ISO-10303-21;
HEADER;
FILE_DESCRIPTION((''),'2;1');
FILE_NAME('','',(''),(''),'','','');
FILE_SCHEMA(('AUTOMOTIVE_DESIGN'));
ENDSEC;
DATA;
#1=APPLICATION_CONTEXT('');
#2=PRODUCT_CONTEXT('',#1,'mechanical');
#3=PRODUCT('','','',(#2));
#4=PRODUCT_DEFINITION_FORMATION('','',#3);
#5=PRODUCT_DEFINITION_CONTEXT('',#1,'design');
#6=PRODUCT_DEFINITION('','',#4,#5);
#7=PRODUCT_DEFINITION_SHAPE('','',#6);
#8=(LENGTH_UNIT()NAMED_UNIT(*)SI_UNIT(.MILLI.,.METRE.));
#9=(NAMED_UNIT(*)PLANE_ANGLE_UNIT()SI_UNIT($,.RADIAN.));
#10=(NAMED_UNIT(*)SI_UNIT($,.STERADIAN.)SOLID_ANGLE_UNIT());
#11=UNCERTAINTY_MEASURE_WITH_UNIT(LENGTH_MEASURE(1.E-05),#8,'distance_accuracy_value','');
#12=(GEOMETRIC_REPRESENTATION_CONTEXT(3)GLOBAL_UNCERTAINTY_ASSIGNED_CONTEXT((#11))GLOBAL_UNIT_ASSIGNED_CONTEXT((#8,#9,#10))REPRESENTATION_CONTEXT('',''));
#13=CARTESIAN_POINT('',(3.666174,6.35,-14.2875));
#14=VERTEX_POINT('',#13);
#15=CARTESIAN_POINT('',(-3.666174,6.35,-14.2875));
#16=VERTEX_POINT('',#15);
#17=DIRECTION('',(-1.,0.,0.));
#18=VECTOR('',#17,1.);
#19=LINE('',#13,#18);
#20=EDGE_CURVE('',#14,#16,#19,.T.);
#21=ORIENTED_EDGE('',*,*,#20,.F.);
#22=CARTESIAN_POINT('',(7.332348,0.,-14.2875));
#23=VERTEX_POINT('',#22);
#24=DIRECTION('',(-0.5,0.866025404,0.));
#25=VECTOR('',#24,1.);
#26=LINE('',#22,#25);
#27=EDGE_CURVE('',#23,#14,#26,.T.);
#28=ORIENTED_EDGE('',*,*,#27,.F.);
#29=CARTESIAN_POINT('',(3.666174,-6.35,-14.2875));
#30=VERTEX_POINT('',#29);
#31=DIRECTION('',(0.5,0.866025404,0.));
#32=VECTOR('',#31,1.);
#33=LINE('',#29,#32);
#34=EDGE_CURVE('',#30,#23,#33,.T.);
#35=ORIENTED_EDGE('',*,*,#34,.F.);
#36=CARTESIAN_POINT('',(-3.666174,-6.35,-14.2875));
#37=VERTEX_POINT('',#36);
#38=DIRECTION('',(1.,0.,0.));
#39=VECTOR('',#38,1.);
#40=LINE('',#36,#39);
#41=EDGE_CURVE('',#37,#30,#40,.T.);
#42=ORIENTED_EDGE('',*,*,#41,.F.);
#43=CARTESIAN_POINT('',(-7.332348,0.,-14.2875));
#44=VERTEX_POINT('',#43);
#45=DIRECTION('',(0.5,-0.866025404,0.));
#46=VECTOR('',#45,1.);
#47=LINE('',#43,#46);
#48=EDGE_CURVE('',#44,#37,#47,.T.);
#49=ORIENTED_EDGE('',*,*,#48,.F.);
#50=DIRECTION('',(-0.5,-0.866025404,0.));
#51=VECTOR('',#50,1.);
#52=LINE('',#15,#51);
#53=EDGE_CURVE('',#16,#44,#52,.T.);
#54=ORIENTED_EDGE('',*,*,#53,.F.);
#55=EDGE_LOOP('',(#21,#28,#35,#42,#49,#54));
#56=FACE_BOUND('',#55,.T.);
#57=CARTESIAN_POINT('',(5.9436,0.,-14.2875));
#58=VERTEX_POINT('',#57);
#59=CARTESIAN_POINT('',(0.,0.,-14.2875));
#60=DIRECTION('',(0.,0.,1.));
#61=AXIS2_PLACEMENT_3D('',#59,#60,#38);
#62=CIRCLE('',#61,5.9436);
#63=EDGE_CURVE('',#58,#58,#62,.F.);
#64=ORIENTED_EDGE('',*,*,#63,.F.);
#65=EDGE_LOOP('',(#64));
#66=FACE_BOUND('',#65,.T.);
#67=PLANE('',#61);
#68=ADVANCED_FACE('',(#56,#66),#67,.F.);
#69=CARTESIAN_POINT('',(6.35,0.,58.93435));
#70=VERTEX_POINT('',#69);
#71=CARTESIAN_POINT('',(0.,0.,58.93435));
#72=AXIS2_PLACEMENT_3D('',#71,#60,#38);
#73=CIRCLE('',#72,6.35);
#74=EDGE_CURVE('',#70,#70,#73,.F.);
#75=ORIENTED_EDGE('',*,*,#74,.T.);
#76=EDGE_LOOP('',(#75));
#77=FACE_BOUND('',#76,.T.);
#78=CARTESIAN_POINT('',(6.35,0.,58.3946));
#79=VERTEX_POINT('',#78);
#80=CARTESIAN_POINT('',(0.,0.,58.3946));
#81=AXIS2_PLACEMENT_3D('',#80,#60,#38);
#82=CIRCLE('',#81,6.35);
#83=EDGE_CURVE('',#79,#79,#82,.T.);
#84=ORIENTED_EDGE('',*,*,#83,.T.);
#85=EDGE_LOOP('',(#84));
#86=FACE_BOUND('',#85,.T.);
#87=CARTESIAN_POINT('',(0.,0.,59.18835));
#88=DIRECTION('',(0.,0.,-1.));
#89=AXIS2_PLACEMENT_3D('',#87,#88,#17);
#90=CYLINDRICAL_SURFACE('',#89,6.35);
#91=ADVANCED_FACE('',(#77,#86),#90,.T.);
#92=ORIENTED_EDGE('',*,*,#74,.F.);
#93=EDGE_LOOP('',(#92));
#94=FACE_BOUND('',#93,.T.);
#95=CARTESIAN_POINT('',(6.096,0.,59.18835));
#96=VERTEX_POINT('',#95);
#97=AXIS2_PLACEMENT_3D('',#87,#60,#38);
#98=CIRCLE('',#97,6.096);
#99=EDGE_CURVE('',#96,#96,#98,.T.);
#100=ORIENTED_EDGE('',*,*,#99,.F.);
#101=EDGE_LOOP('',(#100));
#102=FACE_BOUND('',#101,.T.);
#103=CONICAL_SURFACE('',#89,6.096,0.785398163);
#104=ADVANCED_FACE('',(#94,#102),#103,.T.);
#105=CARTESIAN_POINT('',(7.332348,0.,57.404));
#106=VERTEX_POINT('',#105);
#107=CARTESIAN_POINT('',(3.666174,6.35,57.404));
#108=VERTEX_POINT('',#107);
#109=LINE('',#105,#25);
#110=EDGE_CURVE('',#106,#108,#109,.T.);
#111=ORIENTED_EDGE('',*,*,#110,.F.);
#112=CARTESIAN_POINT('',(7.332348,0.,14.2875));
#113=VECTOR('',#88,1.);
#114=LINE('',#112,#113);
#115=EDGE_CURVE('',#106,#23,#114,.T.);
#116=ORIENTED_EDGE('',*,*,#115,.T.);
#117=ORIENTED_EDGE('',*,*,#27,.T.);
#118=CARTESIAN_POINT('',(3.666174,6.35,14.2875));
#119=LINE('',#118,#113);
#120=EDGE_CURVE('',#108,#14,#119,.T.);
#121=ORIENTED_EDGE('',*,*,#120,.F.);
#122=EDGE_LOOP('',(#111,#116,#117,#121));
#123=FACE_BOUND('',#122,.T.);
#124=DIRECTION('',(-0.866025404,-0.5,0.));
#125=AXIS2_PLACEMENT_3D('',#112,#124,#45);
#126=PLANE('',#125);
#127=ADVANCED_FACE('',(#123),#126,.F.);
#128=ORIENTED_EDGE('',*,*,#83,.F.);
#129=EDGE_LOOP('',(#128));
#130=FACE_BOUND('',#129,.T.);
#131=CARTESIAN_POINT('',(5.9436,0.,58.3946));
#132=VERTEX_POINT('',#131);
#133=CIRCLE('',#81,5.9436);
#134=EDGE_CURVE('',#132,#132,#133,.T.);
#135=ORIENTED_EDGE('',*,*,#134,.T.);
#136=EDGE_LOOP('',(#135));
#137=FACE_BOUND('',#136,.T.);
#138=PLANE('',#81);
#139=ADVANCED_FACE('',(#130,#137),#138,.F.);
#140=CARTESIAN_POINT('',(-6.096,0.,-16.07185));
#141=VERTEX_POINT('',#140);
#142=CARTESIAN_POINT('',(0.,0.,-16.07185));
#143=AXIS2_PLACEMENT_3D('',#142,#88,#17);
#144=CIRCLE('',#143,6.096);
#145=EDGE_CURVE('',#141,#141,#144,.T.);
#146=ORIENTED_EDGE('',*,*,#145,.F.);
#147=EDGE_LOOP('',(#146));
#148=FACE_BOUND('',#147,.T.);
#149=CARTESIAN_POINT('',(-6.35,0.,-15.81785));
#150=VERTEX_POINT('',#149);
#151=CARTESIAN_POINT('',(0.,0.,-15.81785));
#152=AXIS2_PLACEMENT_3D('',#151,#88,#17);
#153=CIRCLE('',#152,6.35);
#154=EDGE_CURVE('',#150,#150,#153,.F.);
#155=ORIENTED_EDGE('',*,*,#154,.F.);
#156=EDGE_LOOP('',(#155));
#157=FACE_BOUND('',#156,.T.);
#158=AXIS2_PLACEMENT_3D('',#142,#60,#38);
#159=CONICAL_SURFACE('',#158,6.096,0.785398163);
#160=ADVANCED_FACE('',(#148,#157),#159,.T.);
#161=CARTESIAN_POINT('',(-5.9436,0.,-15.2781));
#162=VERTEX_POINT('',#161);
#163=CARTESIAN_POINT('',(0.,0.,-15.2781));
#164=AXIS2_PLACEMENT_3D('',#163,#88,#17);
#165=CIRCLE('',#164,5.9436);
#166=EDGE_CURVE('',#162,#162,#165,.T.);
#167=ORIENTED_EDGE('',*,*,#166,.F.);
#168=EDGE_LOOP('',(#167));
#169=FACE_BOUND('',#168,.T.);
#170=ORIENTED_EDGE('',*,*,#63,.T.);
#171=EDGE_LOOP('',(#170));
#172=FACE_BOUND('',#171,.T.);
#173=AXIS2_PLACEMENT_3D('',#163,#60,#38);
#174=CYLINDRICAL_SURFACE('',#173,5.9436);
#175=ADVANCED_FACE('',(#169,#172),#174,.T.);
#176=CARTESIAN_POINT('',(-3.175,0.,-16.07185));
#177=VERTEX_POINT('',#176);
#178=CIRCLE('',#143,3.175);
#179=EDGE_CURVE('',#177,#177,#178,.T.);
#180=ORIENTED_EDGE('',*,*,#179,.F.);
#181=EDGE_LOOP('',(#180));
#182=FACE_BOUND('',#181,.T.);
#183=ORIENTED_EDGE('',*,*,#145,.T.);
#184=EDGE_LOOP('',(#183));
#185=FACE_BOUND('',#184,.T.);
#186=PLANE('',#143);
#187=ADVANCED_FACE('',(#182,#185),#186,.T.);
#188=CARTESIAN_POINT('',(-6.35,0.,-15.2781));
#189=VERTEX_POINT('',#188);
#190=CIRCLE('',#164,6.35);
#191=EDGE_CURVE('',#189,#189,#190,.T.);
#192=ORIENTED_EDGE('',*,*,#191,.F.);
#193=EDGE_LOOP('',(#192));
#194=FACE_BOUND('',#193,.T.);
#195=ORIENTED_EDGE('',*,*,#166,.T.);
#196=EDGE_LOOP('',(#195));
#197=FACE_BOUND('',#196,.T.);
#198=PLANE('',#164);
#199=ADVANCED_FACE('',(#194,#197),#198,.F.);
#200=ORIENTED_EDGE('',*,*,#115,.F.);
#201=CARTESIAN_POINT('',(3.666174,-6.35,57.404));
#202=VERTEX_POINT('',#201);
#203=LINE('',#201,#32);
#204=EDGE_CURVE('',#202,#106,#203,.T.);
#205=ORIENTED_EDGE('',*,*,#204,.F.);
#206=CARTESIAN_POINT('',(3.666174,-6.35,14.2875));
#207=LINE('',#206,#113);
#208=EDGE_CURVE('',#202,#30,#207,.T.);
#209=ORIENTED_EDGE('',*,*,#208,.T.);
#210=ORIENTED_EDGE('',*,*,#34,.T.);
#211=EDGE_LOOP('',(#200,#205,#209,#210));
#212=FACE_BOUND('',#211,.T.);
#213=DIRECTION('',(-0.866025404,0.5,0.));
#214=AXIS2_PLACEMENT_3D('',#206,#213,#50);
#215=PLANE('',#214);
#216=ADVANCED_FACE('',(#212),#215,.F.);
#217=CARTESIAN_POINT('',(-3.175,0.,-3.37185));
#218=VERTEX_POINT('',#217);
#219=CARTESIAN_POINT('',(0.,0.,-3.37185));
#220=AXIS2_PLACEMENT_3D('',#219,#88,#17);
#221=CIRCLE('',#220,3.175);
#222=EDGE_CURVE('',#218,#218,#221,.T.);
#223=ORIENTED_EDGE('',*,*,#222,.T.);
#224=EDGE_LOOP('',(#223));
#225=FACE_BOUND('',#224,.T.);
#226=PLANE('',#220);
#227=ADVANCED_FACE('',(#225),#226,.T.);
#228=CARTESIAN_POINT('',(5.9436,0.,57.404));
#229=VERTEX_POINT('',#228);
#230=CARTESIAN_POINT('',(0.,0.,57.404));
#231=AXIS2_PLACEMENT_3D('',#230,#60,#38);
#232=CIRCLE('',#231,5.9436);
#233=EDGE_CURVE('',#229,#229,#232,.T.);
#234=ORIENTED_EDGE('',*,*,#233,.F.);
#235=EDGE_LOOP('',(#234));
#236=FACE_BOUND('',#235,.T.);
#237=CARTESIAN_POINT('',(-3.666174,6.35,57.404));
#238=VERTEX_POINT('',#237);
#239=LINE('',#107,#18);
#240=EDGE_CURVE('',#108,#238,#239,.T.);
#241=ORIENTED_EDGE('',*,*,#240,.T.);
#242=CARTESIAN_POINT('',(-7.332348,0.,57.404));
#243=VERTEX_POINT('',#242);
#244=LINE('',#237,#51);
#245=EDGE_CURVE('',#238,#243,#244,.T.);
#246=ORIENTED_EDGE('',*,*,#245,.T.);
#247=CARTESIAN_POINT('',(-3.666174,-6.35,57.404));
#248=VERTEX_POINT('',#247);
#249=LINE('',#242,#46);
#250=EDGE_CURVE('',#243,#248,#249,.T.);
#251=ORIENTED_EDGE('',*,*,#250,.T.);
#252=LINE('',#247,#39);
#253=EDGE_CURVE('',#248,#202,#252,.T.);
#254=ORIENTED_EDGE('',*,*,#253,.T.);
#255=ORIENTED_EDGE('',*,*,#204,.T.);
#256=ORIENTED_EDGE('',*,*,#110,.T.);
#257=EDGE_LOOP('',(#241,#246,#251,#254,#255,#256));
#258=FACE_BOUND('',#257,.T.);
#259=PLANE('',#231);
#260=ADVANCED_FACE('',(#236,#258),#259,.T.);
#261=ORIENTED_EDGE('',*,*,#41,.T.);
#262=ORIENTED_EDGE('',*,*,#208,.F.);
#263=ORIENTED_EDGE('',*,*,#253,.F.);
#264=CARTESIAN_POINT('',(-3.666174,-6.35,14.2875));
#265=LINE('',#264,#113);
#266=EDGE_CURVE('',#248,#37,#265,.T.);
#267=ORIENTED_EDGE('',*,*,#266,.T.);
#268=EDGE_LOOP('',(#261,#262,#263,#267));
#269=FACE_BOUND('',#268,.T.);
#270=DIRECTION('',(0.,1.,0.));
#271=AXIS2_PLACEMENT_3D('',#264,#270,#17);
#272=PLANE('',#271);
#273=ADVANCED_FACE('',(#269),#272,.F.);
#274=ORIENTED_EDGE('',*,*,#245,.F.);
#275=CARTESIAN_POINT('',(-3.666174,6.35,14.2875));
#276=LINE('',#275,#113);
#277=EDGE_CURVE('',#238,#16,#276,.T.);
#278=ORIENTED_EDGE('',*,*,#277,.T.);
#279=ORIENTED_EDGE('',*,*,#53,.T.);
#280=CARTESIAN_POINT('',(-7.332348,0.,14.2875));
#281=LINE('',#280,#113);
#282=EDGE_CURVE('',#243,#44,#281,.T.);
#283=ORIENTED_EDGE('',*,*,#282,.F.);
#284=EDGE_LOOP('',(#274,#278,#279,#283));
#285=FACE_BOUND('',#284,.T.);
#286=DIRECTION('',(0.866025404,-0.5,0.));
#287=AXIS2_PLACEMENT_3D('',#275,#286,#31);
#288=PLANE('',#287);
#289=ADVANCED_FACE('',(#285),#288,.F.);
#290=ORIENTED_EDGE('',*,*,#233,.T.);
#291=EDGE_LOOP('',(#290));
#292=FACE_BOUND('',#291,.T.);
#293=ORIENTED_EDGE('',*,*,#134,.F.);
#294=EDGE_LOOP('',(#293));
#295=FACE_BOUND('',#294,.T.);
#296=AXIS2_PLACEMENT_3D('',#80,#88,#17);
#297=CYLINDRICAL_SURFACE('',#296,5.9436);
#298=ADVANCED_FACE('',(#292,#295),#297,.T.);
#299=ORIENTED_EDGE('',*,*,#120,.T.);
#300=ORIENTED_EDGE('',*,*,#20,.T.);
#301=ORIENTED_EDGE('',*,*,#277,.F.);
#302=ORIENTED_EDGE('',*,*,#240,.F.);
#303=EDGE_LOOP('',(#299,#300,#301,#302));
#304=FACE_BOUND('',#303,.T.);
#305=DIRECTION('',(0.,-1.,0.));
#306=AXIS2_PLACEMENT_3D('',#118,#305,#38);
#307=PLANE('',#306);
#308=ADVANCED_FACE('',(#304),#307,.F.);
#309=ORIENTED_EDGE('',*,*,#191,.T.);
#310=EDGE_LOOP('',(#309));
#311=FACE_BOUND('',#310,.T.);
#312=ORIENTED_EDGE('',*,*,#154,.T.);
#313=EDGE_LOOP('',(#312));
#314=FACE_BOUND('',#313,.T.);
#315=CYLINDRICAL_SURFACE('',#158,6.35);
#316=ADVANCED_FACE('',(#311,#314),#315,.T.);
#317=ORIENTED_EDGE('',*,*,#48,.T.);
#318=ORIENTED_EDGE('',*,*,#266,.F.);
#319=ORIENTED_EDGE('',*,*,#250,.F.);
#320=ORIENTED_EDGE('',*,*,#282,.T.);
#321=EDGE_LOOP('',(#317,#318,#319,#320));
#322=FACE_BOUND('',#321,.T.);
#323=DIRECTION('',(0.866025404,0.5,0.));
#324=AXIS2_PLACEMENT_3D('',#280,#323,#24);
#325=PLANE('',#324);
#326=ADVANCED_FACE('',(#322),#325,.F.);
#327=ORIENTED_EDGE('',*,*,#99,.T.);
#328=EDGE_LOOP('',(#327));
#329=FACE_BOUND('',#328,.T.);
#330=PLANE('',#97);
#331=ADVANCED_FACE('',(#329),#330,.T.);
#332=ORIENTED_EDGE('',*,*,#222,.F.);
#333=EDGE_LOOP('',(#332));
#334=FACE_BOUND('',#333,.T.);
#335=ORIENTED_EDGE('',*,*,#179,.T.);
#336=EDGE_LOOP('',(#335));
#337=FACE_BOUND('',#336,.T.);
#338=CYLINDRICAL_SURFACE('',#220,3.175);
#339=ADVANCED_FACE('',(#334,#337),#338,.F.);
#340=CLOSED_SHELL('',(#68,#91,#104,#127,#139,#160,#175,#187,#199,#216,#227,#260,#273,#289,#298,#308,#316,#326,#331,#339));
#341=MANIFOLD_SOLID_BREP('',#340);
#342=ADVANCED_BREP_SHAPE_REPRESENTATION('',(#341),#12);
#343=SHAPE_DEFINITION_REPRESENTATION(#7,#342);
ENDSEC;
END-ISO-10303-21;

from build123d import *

# Parameters (mm, degrees)
BOSS_EXTRUDE1_DEPTH = 14.2875
SKETCH2_R           = 5.9436
BOSS_EXTRUDE2_DEPTH = 0.9906
SKETCH3_R           = 6.35
BOSS_EXTRUDE3_DEPTH = 0.79375
CHAMFER1_SIZE       = 0.254
SKETCH4_R           = 3.175
CUT_EXTRUDE1_DEPTH  = 12.7
BOSS_EXTRUDE4_DEPTH = 43.1165
BOSS_EXTRUDE5_START = 0.9906
SKETCH6_R           = 5.9436
BOSS_EXTRUDE5_DEPTH = 0.9906
BOSS_EXTRUDE6_START = 0.79375
SKETCH7_R           = 6.35
BOSS_EXTRUDE6_DEPTH = 0.79375
CHAMFER2_SIZE       = 0.254


with BuildPart() as part:
    # Sketch1 → Boss-Extrude1 (new, symmetric)
    with BuildSketch(Plane.XY):
        Polygon((7.332348419, 0), (3.666174209, 6.35), (-3.666174209, 6.35), (-7.332348419, 0), (-3.666174209, -6.35), (3.666174209, -6.35), align=None)
    extrude(amount=BOSS_EXTRUDE1_DEPTH, both=True)

    # Sketch2 → Boss-Extrude2 (add)
    with BuildSketch(Plane(origin=(0, 0, -14.2875), x_dir=(-1, 0, 0), z_dir=(0, 0, -1))):
        with Locations(Location((0, 0, 0), (0, 0, 180))):
            Circle(SKETCH2_R)
    extrude(amount=BOSS_EXTRUDE2_DEPTH)

    # Sketch3 → Boss-Extrude3 (add)
    with BuildSketch(Plane(origin=(0, 0, -15.2781), x_dir=(-1, 0, 0), z_dir=(0, 0, -1))):
        Circle(SKETCH3_R)
    extrude(amount=BOSS_EXTRUDE3_DEPTH)

    # Chamfer1
    chamfer1_edges = [part.edges().sort_by_distance(p)[0] for p in [
        (6.35, 0, -16.07185),
    ]]
    chamfer(chamfer1_edges, length=CHAMFER1_SIZE)

    # Sketch4 → Cut-Extrude1 (cut)
    with BuildSketch(Plane(origin=(0, 0, -16.07185), x_dir=(-1, 0, 0), z_dir=(0, 0, -1))):
        Circle(SKETCH4_R)
    extrude(amount=-CUT_EXTRUDE1_DEPTH, mode=Mode.SUBTRACT)

    # Sketch5 → Boss-Extrude4 (add)
    with BuildSketch(Plane.XY.offset(14.2875)):
        Polygon((3.666174209, 6.35), (-3.666174209, 6.35), (-7.332348419, 0), (-3.666174209, -6.35), (3.666174209, -6.35), (7.332348419, 0), align=None)
    extrude(amount=BOSS_EXTRUDE4_DEPTH)

    # Sketch6 → Boss-Extrude5 (add)
    with BuildSketch(Plane.XY.offset(57.404).offset(BOSS_EXTRUDE5_START)):
        Circle(SKETCH6_R)
    extrude(amount=-BOSS_EXTRUDE5_DEPTH)

    # Sketch7 → Boss-Extrude6 (add)
    with BuildSketch(Plane.XY.offset(58.3946).offset(BOSS_EXTRUDE6_START)):
        with Locations(Location((0, 0, 0), (0, 0, 180))):
            Circle(SKETCH7_R)
    extrude(amount=-BOSS_EXTRUDE6_DEPTH)

    # Chamfer2
    chamfer2_edges = [part.edges().sort_by_distance(p)[0] for p in [
        (6.35, 0, 59.18835),
    ]]
    chamfer(chamfer2_edges, length=CHAMFER2_SIZE)


solid = part.part
